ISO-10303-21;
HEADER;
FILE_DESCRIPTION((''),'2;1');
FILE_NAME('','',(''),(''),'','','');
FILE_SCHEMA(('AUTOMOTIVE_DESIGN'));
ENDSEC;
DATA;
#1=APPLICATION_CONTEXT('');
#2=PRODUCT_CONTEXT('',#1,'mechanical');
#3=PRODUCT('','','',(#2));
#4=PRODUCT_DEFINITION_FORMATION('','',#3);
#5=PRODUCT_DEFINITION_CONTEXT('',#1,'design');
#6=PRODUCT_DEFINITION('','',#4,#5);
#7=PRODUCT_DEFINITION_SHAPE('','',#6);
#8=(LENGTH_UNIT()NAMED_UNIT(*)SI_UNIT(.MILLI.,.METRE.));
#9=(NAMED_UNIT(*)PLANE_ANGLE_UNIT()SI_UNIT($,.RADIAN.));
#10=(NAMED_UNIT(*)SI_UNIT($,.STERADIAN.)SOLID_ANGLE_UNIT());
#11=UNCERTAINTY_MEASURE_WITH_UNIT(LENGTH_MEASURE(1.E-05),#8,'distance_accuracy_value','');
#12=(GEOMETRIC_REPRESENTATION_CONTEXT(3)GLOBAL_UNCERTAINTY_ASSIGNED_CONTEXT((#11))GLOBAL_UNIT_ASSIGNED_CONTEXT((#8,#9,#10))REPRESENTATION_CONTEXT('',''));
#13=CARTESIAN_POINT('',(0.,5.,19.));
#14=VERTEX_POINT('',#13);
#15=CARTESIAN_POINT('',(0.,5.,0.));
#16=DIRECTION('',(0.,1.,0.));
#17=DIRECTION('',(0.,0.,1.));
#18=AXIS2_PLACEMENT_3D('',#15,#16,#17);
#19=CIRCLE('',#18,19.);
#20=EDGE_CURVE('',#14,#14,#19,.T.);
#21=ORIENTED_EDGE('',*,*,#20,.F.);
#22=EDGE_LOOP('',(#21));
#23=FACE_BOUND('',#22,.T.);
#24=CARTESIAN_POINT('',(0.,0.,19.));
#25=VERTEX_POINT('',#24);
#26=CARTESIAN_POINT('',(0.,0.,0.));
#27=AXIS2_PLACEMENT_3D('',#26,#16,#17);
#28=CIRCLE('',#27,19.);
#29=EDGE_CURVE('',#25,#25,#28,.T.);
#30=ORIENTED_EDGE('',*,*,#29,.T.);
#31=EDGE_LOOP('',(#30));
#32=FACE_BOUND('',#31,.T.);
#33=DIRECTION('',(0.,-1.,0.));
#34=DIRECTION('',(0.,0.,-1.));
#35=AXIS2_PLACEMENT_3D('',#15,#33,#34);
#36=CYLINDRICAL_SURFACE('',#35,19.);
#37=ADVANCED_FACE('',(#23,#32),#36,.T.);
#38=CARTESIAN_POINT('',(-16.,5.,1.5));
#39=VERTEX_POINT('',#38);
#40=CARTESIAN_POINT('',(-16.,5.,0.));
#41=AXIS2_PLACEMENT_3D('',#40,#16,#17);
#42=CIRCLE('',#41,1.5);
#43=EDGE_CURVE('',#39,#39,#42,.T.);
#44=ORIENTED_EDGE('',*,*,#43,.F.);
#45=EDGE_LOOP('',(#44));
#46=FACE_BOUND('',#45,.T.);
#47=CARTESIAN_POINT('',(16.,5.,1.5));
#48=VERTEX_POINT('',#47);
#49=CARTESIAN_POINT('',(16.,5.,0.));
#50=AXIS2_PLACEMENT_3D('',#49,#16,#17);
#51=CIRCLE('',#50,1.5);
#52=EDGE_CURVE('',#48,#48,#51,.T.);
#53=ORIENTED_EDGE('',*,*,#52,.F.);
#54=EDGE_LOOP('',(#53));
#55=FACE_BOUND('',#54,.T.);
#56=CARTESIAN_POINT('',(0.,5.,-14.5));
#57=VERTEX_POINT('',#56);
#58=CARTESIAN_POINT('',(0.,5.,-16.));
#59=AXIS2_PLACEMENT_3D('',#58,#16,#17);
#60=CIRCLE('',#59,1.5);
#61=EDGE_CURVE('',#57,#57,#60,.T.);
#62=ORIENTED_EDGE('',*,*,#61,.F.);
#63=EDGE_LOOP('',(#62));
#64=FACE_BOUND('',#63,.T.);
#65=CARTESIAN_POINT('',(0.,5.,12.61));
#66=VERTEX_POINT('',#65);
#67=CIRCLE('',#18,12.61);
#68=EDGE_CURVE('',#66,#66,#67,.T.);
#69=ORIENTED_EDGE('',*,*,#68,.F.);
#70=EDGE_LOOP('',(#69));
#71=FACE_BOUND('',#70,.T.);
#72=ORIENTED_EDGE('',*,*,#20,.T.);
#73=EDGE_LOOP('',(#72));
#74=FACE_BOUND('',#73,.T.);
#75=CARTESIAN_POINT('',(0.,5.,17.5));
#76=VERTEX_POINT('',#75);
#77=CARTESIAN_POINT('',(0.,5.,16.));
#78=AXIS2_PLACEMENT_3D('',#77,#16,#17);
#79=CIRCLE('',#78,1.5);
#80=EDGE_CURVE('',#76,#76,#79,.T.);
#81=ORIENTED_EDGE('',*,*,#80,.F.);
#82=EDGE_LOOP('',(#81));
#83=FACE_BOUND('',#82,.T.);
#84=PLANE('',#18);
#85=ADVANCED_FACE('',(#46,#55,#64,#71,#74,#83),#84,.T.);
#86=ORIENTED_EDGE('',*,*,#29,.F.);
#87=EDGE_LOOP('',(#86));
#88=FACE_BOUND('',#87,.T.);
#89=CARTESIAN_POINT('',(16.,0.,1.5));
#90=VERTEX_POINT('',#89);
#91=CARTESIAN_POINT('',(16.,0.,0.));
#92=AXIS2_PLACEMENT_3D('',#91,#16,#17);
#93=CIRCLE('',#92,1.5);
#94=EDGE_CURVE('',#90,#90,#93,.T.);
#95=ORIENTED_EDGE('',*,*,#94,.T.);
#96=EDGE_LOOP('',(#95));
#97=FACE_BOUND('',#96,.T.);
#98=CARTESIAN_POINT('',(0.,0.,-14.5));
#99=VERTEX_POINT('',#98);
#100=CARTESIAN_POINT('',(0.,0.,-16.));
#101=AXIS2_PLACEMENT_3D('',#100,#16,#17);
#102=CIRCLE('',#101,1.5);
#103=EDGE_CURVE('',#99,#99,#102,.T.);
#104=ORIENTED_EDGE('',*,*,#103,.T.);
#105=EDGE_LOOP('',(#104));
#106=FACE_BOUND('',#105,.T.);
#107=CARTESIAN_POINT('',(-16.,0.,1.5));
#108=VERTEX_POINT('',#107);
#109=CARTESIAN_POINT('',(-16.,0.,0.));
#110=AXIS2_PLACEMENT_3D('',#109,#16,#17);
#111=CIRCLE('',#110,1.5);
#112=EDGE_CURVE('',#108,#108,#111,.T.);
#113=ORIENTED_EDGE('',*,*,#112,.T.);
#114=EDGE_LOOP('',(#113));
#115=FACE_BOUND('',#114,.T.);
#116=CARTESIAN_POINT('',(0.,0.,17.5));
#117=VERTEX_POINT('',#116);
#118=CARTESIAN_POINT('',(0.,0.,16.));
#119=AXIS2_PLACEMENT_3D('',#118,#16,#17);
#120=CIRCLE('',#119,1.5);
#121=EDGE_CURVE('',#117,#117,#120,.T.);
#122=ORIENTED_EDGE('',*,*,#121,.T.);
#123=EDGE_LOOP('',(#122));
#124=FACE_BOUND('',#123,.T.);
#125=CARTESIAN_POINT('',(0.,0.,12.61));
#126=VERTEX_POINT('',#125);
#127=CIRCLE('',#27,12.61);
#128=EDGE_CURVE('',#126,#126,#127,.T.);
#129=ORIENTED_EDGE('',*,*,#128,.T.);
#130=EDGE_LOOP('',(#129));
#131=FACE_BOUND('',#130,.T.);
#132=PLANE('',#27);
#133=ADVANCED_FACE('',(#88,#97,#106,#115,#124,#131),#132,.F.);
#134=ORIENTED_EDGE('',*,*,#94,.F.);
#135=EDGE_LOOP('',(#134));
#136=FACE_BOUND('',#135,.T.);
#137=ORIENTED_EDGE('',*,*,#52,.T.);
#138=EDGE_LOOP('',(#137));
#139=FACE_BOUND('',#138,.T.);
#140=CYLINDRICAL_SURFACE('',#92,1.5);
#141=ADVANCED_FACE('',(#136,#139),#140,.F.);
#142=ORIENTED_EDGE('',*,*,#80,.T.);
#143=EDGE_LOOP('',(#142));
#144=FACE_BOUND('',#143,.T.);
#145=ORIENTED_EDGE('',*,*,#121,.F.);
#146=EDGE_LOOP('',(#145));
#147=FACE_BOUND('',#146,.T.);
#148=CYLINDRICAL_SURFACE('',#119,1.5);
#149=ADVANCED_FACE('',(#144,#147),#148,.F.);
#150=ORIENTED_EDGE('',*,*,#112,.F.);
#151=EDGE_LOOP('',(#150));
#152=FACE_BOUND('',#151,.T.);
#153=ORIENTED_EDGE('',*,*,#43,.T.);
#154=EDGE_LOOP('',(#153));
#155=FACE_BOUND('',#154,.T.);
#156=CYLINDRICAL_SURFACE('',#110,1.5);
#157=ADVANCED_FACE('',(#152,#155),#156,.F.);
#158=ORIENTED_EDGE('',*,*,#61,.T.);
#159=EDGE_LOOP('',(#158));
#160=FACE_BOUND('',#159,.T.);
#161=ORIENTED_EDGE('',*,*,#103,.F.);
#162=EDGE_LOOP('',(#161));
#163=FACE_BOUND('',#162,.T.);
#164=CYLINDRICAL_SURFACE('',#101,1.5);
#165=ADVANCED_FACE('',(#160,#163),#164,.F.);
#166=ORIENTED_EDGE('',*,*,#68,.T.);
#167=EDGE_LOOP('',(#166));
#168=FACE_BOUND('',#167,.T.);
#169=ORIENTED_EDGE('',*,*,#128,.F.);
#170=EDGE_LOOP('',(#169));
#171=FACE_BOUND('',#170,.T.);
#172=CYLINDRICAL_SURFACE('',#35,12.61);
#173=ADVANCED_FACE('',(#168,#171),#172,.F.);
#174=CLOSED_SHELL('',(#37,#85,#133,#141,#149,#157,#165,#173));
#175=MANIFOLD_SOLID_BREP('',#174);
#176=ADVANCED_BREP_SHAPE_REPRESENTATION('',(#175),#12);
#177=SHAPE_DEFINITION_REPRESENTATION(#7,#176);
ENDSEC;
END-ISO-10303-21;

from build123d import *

# Parameters (mm, degrees)
SKETCH_1_R          = 19
SKETCH_1_R_2        = 12.61
EXTRUDE_1_DEPTH     = 5
SKETCH_2_R          = 1.5
CUT_EXTRUDE_2_DEPTH = 5


with BuildPart() as part:
    # Эскиз1 → Вытянуть1 (new body)
    with BuildSketch(Plane(origin=(0, 0, 0), x_dir=(1, 0, 0), z_dir=(0, 1, 0))):
        with Locations(Location((0, 0, 0), (0, 0, 270))):
            Circle(SKETCH_1_R)
        with Locations(Location((0, 0, 0), (0, 0, 270))):
            Circle(SKETCH_1_R_2, mode=Mode.SUBTRACT)
    extrude(amount=EXTRUDE_1_DEPTH)

    # Эскиз2 → Вытянуть2 (cut)
    with BuildSketch(Plane(origin=(0, 5, 0), x_dir=(1, 0, 0), z_dir=(0, 1, 0))):
        with Locations(Location((0, 16, 0), (0, 0, 270))):
            Circle(SKETCH_2_R)
        with Locations(Location((16, 0, 0), (0, 0, 270))):
            Circle(SKETCH_2_R)
        with Locations(Location((0, -16, 0), (0, 0, 270))):
            Circle(SKETCH_2_R)
        with Locations(Location((-16, 0, 0), (0, 0, 270))):
            Circle(SKETCH_2_R)
    extrude(amount=-CUT_EXTRUDE_2_DEPTH, mode=Mode.SUBTRACT)


solid = part.part
